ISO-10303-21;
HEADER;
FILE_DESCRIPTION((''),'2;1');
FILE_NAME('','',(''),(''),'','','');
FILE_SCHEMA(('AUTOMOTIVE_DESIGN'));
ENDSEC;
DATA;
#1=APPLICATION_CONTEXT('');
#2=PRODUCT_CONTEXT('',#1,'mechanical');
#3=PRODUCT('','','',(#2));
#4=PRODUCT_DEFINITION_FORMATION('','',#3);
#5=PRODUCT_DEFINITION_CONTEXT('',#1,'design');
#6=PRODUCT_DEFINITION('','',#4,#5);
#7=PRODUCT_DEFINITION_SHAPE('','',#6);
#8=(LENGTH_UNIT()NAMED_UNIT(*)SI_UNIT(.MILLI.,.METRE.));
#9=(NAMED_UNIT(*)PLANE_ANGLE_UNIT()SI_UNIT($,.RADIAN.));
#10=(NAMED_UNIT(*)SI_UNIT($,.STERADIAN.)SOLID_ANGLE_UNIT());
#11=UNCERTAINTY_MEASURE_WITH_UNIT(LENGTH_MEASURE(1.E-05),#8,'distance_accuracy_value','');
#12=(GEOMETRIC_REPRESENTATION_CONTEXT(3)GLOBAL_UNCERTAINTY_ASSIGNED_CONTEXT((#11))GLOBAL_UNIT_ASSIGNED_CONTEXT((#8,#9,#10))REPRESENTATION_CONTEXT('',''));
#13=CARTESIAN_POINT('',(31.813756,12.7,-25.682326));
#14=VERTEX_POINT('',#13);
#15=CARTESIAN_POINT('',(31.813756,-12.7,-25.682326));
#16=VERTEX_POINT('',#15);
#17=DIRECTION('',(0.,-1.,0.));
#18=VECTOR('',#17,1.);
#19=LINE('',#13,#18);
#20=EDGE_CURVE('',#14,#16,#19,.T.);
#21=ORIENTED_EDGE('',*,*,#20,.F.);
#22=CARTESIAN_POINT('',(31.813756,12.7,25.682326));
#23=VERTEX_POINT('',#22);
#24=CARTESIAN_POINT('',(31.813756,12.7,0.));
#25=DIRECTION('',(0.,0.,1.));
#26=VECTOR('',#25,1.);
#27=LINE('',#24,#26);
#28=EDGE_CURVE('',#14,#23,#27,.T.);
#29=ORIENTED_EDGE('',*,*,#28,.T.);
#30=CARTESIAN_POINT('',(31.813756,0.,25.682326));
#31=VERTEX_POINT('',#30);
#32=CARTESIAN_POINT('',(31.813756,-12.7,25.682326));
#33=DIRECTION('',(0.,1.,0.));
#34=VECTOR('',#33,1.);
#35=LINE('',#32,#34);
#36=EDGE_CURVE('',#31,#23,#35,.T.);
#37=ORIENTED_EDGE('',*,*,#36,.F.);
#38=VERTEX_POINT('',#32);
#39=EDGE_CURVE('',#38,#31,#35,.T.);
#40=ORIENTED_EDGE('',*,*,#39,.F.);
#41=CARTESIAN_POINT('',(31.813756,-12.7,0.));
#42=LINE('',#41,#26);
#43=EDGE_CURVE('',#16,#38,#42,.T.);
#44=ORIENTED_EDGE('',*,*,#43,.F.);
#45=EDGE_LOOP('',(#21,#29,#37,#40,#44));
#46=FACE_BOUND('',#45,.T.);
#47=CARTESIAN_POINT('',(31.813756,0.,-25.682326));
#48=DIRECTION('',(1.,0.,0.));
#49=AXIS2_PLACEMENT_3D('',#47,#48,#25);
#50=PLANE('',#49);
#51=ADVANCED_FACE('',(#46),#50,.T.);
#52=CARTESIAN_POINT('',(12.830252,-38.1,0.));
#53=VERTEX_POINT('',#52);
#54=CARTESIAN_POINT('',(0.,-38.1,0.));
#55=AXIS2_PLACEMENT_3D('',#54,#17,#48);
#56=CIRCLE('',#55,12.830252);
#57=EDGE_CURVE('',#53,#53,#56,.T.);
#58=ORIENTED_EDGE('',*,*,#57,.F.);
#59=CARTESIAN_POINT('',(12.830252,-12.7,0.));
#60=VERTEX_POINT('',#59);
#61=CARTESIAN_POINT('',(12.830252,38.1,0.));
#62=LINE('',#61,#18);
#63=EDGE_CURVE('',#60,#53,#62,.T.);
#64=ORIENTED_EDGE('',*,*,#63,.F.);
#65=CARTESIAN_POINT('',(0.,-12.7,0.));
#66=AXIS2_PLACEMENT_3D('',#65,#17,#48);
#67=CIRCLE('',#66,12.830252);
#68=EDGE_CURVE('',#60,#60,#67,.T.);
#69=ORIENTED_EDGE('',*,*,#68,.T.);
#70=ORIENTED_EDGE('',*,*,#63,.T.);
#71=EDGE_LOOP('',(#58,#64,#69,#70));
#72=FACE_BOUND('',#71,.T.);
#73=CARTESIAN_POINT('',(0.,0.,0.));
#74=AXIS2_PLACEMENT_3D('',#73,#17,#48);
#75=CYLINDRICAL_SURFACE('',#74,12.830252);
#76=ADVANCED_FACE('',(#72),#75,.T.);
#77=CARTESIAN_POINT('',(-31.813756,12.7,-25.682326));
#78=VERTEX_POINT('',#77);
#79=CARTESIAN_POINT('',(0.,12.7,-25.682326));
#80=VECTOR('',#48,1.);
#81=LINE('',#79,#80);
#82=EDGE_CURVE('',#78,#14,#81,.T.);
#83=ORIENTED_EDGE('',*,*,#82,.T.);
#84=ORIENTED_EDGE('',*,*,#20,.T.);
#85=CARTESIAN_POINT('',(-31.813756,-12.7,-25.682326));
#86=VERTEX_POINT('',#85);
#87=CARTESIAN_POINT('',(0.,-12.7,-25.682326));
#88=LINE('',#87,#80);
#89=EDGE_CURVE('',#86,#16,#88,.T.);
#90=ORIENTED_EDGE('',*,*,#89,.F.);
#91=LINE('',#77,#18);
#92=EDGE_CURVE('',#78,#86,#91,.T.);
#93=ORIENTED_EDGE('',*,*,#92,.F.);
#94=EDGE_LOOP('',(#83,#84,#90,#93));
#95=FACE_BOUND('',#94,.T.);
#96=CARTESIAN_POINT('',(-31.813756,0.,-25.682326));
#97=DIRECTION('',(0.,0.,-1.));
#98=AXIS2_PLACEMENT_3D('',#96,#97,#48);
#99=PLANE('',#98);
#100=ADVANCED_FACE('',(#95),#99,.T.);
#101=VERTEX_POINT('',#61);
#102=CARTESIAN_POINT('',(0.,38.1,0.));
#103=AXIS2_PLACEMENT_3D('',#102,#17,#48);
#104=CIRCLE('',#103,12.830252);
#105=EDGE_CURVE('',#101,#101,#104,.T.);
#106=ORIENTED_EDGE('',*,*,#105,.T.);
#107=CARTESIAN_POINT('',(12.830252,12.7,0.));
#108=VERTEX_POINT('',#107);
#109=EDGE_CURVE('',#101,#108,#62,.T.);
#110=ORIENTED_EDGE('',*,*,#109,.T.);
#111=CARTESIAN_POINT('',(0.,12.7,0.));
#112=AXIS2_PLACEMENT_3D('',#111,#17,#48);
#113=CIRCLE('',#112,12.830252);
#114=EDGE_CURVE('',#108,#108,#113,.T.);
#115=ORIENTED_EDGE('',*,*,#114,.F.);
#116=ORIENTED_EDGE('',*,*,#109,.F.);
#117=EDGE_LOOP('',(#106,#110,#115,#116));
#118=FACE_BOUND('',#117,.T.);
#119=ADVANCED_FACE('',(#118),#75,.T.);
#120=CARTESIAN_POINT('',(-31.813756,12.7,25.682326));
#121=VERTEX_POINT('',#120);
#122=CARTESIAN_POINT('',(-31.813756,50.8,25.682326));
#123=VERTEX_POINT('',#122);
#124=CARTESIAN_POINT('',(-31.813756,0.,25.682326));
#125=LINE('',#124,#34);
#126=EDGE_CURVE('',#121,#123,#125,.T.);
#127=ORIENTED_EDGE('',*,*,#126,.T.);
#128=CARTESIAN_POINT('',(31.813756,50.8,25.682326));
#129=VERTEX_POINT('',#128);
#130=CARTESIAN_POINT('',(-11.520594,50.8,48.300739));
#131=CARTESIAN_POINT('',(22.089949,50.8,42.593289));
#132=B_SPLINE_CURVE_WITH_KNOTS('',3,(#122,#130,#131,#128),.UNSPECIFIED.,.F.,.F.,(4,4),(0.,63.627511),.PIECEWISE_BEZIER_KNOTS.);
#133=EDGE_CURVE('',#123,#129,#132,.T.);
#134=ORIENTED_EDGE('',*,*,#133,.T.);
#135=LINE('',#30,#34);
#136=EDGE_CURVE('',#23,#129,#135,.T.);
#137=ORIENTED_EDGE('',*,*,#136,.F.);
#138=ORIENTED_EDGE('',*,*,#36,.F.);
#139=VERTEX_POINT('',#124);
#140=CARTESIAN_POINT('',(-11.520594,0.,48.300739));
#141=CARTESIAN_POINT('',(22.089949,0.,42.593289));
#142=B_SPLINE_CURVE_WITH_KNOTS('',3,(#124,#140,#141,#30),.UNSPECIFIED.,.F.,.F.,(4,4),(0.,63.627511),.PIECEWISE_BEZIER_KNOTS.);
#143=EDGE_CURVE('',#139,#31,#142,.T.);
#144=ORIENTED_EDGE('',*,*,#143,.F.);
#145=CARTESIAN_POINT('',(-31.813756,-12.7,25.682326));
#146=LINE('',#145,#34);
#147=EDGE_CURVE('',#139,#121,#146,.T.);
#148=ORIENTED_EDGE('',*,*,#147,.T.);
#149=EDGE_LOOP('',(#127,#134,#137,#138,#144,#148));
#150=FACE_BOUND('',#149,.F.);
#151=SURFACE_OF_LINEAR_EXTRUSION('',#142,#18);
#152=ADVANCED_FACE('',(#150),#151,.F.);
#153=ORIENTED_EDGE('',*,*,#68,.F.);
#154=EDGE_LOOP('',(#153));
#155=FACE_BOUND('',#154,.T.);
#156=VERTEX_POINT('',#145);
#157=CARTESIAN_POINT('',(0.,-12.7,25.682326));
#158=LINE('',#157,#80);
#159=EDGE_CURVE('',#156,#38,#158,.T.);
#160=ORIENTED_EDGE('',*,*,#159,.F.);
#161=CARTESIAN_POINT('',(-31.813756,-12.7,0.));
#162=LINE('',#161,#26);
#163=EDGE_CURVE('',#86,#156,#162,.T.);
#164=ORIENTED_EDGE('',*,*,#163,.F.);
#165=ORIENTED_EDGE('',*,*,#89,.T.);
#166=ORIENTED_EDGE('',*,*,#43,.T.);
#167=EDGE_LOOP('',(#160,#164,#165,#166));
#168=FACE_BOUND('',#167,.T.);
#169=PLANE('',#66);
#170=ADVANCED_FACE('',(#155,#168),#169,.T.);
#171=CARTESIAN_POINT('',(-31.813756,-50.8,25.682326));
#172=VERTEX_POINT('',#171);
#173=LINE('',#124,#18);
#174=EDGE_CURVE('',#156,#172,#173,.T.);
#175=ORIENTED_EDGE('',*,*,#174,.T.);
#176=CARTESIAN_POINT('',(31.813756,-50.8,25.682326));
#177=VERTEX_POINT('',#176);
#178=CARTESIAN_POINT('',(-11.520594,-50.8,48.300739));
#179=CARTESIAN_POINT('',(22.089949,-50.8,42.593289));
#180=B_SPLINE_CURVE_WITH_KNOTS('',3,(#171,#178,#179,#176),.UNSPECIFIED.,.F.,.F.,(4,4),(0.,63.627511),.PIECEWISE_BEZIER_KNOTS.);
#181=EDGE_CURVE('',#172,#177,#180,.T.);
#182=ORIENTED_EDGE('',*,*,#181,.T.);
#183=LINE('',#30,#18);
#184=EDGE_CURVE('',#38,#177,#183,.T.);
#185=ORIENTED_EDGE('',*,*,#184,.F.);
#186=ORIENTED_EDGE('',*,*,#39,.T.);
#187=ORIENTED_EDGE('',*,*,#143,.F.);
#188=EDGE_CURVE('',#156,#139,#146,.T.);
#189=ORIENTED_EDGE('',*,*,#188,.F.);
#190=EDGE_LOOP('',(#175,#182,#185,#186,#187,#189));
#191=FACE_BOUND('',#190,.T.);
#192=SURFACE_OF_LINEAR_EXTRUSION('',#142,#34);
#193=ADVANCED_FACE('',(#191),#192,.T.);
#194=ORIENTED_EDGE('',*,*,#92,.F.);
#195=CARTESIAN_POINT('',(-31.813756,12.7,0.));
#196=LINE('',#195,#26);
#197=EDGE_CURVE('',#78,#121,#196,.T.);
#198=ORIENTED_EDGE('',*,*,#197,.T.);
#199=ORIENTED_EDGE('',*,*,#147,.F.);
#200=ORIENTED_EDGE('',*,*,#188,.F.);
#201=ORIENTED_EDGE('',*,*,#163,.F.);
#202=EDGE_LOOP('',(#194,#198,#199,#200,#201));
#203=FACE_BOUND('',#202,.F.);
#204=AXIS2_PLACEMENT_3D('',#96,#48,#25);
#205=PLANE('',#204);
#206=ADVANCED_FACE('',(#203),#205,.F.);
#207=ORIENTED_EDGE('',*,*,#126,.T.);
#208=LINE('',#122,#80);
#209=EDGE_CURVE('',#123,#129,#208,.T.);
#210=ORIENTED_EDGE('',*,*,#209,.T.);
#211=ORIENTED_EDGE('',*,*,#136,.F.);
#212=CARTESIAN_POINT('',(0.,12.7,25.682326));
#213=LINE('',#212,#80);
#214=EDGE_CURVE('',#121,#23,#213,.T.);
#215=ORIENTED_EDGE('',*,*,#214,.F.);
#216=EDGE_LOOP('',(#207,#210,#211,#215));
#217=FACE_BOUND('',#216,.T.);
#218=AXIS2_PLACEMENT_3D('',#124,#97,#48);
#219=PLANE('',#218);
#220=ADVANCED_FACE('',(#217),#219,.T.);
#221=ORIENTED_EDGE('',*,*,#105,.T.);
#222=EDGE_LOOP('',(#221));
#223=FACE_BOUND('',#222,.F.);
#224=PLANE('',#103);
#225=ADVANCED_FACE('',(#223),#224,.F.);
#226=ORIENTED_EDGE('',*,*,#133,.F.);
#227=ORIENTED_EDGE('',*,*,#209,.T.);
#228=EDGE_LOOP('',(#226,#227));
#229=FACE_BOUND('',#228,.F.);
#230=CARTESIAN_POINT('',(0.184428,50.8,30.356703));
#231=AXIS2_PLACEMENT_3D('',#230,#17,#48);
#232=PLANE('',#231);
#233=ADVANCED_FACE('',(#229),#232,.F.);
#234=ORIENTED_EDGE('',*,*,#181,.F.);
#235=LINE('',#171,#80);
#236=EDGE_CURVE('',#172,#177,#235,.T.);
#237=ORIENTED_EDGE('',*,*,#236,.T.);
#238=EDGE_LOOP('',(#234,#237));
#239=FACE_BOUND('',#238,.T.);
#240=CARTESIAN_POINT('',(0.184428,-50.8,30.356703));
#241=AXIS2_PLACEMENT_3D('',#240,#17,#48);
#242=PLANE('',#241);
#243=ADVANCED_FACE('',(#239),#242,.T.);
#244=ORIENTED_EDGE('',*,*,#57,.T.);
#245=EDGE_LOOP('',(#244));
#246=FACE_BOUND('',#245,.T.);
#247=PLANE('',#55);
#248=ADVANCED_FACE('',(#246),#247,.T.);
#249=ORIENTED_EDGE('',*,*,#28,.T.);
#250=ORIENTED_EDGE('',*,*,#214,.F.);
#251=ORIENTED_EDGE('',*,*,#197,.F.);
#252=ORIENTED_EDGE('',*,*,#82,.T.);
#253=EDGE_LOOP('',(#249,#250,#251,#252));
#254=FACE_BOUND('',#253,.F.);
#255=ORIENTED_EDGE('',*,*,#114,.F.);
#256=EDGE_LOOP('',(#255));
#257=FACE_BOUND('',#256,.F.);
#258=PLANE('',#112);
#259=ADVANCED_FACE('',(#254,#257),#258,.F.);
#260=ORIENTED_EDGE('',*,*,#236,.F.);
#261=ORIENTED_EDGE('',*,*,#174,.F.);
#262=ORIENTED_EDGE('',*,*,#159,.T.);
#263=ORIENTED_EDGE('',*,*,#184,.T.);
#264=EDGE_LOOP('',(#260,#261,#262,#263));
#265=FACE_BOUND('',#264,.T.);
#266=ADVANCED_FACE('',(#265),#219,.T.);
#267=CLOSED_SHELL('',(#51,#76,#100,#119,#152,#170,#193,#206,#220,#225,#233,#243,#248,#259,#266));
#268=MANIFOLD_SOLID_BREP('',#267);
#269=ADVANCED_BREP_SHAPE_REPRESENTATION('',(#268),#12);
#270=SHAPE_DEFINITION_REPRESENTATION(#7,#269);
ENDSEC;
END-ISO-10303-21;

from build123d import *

# Parameters (mm, degrees)
F0_W     = 63.627512
F0_H     = 51.364652
F0_R     = 12.830252
F1_DEPTH = 12.7
F2_DEPTH = 50.8
F3_DEPTH = 38.1


with BuildPart() as f1:
    # F0 (on Front) → F1 (new body, symmetric)
    with BuildSketch(Plane.XZ):
        Rectangle(F0_W, F0_H)
        Circle(F0_R, mode=Mode.SUBTRACT)
    extrude(amount=F1_DEPTH, both=True)

    # F0 (on Front) → F2 (join, symmetric)
    with BuildSketch(Plane.XZ):
        with BuildLine():
            Line((-31.813756, 25.682326), (31.813756, 25.682326))
            add(Edge.make_bspline(
                [(-31.813756, 25.682326), (-11.520594, 48.300739), (22.089949, 42.593289), (31.813756, 25.682326)],
                knots=[0, 0, 0, 0, 63.627511, 63.627511, 63.627511, 63.627511], degree=3))
        make_face()
    extrude(amount=F2_DEPTH, both=True)

    # F0 (on Front) → F3 (join, symmetric)
    with BuildSketch(Plane.XZ):
        Circle(F0_R)
    extrude(amount=F3_DEPTH, both=True)


solid = f1.part
